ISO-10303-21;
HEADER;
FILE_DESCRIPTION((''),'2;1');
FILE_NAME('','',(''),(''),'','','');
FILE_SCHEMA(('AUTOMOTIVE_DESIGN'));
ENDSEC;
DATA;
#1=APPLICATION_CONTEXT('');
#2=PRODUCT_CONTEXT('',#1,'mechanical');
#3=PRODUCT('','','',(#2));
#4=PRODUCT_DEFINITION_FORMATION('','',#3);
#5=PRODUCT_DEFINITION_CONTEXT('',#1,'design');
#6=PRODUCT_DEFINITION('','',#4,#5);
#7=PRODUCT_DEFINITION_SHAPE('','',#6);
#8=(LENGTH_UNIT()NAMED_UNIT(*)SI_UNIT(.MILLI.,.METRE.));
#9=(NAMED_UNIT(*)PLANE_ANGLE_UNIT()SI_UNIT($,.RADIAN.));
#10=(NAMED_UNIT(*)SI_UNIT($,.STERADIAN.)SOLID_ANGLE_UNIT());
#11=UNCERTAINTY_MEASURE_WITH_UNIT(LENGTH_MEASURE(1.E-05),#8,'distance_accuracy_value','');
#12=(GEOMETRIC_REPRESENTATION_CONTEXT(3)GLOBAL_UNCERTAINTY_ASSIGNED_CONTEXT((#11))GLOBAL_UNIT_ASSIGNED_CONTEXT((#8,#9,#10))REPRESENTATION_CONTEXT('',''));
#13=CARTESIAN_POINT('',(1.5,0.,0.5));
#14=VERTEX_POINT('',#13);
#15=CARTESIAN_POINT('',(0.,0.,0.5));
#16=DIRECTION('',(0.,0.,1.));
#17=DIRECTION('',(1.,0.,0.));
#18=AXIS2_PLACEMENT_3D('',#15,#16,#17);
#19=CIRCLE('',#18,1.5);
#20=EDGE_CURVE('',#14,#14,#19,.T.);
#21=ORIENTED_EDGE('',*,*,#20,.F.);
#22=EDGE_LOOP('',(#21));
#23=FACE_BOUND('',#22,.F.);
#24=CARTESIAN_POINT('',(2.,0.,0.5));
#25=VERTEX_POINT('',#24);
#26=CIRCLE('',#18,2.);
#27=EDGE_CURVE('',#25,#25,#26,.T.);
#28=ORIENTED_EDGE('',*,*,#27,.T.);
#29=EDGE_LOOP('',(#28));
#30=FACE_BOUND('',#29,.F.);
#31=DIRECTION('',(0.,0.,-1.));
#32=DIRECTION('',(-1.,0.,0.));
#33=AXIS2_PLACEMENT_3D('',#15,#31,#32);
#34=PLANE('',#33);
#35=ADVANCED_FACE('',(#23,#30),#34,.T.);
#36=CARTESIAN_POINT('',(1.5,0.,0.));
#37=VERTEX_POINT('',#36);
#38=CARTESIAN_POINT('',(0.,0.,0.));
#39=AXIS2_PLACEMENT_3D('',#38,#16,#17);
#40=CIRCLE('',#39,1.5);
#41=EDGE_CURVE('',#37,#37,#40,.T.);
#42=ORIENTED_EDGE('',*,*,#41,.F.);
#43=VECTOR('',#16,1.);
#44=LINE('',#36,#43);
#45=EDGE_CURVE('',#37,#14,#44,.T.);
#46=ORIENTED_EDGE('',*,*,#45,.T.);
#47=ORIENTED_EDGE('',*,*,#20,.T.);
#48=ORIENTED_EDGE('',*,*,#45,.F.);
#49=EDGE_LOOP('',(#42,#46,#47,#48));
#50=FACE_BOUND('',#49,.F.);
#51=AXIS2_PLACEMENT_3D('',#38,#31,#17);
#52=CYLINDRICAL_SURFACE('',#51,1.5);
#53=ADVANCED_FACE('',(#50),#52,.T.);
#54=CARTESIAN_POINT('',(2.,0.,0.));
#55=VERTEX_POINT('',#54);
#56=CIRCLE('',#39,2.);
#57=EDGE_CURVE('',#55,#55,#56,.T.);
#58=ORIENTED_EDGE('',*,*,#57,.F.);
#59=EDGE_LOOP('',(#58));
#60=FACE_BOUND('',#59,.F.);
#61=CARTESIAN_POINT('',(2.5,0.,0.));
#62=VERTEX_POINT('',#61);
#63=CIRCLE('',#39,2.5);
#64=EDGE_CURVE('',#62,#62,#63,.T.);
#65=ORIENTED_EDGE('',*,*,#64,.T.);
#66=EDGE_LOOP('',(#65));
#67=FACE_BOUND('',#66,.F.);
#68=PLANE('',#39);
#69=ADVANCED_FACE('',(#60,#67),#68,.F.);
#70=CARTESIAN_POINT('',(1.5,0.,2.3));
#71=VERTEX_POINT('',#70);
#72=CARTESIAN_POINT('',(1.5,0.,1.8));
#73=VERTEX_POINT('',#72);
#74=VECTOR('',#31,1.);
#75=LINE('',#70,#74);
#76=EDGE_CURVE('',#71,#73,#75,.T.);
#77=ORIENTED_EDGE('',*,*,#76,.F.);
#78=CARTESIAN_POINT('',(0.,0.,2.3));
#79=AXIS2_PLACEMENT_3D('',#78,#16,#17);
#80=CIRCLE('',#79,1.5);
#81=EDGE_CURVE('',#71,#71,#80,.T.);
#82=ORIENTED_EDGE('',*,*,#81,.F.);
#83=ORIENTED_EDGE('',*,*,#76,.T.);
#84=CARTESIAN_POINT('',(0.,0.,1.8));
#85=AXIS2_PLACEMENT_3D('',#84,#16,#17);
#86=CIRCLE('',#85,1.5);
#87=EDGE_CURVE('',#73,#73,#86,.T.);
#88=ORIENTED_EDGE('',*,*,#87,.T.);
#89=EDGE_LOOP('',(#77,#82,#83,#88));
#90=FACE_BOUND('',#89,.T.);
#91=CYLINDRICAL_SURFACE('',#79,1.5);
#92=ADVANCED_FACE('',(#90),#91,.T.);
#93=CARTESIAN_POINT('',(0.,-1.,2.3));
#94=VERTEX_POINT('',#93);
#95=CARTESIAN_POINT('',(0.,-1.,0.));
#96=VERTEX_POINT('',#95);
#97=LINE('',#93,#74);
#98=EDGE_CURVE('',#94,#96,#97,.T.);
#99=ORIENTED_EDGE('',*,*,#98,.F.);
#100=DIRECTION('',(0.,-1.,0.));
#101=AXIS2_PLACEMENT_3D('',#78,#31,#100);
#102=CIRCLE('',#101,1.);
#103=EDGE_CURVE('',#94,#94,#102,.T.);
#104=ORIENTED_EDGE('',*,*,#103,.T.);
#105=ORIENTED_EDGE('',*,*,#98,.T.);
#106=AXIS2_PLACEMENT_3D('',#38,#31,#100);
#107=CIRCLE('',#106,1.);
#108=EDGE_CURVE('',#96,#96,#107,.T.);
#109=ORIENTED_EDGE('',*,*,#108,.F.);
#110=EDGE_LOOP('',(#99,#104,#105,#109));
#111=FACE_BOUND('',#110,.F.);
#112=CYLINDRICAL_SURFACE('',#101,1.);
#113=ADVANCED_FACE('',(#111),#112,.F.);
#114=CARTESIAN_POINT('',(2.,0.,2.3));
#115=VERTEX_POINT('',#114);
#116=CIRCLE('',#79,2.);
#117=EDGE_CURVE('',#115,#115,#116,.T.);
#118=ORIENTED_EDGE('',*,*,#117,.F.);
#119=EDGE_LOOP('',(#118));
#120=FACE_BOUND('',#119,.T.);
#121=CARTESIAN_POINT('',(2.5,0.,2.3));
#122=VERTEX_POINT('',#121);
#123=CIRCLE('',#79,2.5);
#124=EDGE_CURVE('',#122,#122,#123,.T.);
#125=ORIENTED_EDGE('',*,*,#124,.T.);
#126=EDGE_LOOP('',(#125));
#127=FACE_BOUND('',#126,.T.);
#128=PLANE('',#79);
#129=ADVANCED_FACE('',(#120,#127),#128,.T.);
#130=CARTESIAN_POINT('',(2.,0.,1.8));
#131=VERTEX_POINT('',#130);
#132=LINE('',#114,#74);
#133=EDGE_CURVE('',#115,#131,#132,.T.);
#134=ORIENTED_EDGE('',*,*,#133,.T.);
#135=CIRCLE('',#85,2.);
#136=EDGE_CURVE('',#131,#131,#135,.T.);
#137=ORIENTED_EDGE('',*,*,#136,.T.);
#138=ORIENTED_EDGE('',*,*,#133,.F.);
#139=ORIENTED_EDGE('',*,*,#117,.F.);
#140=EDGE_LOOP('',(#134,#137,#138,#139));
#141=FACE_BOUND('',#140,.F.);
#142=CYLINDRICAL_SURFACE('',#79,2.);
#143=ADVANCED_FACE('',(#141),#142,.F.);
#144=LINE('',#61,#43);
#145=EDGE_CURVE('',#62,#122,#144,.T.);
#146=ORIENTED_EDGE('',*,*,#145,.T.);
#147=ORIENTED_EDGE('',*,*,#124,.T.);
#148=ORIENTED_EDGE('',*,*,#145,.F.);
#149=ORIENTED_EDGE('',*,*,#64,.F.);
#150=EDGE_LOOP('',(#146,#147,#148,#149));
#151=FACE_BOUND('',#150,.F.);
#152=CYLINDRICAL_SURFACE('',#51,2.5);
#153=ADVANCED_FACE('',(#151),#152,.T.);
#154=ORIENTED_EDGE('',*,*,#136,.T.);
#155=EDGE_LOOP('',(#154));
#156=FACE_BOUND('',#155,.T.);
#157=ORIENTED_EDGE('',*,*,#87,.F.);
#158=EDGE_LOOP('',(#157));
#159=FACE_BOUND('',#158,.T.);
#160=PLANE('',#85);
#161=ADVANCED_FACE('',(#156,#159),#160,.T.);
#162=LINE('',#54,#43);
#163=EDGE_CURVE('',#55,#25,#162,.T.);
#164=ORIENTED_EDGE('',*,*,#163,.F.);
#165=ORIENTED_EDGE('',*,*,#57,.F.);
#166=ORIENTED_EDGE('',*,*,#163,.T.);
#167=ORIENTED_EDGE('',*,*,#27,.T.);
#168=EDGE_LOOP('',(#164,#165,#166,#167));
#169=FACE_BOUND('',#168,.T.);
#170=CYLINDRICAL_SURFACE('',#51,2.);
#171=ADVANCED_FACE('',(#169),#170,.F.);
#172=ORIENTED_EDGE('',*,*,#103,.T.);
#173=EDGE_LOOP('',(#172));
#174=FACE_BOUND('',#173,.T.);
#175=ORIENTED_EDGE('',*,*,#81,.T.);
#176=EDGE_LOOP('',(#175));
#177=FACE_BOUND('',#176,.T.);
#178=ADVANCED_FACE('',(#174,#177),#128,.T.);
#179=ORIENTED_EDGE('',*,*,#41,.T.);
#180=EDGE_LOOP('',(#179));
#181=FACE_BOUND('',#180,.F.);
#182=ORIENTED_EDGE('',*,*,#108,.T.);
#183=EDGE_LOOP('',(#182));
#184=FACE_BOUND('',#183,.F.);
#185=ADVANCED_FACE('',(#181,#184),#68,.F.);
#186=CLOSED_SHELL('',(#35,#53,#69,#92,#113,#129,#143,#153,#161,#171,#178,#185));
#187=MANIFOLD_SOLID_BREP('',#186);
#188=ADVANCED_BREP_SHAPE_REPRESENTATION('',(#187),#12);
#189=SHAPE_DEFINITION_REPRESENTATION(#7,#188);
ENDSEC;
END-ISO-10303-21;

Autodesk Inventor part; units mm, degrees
ref_plane "YZ Plane" through (0, 0, 0) normal (1, 0, 0) x (0, 1, 0)
ref_plane "XZ Plane" through (0, 0, 0) normal (0, 1, 0) x (-1, 0, 0)
sketch "Sketch1" plane through (0, 0, 0) normal (0, 0, 1) x (1, 0, 0)
  circle A0 centre (0, 0) radius 2.5
  dimension "d0" = 5
extrude "Extrusion1" add sketch "Sketch1" along normal blind 2.3
hole "Hole1" at (0, 0, 2.3) direction (0, 0, -1) diameter 2 end through all
sketch "Sketch2" plane through (0, 0, 2.3) normal (0, 0, 1) x (1, 0, 0)
  circle A0 centre (0, 0) radius 2
  circle A1 centre (0, 0) radius 1.5
  dimension "d12" = 4
  dimension "d13" = 3
extrude "Extrusion2" cut sketch "Sketch2" against normal blind 0.5
ref_plane "Work Plane1" through (0, 0, 1.15) normal (0, 0, 1) x (1, 0, 0)
mirror "Mirror1" about plane through (0, 0, 1.15) normal (0, 0, 1) of "Extrusion2"
properties part number "bearing_2x5x2,3" material "Stainless Steel"
